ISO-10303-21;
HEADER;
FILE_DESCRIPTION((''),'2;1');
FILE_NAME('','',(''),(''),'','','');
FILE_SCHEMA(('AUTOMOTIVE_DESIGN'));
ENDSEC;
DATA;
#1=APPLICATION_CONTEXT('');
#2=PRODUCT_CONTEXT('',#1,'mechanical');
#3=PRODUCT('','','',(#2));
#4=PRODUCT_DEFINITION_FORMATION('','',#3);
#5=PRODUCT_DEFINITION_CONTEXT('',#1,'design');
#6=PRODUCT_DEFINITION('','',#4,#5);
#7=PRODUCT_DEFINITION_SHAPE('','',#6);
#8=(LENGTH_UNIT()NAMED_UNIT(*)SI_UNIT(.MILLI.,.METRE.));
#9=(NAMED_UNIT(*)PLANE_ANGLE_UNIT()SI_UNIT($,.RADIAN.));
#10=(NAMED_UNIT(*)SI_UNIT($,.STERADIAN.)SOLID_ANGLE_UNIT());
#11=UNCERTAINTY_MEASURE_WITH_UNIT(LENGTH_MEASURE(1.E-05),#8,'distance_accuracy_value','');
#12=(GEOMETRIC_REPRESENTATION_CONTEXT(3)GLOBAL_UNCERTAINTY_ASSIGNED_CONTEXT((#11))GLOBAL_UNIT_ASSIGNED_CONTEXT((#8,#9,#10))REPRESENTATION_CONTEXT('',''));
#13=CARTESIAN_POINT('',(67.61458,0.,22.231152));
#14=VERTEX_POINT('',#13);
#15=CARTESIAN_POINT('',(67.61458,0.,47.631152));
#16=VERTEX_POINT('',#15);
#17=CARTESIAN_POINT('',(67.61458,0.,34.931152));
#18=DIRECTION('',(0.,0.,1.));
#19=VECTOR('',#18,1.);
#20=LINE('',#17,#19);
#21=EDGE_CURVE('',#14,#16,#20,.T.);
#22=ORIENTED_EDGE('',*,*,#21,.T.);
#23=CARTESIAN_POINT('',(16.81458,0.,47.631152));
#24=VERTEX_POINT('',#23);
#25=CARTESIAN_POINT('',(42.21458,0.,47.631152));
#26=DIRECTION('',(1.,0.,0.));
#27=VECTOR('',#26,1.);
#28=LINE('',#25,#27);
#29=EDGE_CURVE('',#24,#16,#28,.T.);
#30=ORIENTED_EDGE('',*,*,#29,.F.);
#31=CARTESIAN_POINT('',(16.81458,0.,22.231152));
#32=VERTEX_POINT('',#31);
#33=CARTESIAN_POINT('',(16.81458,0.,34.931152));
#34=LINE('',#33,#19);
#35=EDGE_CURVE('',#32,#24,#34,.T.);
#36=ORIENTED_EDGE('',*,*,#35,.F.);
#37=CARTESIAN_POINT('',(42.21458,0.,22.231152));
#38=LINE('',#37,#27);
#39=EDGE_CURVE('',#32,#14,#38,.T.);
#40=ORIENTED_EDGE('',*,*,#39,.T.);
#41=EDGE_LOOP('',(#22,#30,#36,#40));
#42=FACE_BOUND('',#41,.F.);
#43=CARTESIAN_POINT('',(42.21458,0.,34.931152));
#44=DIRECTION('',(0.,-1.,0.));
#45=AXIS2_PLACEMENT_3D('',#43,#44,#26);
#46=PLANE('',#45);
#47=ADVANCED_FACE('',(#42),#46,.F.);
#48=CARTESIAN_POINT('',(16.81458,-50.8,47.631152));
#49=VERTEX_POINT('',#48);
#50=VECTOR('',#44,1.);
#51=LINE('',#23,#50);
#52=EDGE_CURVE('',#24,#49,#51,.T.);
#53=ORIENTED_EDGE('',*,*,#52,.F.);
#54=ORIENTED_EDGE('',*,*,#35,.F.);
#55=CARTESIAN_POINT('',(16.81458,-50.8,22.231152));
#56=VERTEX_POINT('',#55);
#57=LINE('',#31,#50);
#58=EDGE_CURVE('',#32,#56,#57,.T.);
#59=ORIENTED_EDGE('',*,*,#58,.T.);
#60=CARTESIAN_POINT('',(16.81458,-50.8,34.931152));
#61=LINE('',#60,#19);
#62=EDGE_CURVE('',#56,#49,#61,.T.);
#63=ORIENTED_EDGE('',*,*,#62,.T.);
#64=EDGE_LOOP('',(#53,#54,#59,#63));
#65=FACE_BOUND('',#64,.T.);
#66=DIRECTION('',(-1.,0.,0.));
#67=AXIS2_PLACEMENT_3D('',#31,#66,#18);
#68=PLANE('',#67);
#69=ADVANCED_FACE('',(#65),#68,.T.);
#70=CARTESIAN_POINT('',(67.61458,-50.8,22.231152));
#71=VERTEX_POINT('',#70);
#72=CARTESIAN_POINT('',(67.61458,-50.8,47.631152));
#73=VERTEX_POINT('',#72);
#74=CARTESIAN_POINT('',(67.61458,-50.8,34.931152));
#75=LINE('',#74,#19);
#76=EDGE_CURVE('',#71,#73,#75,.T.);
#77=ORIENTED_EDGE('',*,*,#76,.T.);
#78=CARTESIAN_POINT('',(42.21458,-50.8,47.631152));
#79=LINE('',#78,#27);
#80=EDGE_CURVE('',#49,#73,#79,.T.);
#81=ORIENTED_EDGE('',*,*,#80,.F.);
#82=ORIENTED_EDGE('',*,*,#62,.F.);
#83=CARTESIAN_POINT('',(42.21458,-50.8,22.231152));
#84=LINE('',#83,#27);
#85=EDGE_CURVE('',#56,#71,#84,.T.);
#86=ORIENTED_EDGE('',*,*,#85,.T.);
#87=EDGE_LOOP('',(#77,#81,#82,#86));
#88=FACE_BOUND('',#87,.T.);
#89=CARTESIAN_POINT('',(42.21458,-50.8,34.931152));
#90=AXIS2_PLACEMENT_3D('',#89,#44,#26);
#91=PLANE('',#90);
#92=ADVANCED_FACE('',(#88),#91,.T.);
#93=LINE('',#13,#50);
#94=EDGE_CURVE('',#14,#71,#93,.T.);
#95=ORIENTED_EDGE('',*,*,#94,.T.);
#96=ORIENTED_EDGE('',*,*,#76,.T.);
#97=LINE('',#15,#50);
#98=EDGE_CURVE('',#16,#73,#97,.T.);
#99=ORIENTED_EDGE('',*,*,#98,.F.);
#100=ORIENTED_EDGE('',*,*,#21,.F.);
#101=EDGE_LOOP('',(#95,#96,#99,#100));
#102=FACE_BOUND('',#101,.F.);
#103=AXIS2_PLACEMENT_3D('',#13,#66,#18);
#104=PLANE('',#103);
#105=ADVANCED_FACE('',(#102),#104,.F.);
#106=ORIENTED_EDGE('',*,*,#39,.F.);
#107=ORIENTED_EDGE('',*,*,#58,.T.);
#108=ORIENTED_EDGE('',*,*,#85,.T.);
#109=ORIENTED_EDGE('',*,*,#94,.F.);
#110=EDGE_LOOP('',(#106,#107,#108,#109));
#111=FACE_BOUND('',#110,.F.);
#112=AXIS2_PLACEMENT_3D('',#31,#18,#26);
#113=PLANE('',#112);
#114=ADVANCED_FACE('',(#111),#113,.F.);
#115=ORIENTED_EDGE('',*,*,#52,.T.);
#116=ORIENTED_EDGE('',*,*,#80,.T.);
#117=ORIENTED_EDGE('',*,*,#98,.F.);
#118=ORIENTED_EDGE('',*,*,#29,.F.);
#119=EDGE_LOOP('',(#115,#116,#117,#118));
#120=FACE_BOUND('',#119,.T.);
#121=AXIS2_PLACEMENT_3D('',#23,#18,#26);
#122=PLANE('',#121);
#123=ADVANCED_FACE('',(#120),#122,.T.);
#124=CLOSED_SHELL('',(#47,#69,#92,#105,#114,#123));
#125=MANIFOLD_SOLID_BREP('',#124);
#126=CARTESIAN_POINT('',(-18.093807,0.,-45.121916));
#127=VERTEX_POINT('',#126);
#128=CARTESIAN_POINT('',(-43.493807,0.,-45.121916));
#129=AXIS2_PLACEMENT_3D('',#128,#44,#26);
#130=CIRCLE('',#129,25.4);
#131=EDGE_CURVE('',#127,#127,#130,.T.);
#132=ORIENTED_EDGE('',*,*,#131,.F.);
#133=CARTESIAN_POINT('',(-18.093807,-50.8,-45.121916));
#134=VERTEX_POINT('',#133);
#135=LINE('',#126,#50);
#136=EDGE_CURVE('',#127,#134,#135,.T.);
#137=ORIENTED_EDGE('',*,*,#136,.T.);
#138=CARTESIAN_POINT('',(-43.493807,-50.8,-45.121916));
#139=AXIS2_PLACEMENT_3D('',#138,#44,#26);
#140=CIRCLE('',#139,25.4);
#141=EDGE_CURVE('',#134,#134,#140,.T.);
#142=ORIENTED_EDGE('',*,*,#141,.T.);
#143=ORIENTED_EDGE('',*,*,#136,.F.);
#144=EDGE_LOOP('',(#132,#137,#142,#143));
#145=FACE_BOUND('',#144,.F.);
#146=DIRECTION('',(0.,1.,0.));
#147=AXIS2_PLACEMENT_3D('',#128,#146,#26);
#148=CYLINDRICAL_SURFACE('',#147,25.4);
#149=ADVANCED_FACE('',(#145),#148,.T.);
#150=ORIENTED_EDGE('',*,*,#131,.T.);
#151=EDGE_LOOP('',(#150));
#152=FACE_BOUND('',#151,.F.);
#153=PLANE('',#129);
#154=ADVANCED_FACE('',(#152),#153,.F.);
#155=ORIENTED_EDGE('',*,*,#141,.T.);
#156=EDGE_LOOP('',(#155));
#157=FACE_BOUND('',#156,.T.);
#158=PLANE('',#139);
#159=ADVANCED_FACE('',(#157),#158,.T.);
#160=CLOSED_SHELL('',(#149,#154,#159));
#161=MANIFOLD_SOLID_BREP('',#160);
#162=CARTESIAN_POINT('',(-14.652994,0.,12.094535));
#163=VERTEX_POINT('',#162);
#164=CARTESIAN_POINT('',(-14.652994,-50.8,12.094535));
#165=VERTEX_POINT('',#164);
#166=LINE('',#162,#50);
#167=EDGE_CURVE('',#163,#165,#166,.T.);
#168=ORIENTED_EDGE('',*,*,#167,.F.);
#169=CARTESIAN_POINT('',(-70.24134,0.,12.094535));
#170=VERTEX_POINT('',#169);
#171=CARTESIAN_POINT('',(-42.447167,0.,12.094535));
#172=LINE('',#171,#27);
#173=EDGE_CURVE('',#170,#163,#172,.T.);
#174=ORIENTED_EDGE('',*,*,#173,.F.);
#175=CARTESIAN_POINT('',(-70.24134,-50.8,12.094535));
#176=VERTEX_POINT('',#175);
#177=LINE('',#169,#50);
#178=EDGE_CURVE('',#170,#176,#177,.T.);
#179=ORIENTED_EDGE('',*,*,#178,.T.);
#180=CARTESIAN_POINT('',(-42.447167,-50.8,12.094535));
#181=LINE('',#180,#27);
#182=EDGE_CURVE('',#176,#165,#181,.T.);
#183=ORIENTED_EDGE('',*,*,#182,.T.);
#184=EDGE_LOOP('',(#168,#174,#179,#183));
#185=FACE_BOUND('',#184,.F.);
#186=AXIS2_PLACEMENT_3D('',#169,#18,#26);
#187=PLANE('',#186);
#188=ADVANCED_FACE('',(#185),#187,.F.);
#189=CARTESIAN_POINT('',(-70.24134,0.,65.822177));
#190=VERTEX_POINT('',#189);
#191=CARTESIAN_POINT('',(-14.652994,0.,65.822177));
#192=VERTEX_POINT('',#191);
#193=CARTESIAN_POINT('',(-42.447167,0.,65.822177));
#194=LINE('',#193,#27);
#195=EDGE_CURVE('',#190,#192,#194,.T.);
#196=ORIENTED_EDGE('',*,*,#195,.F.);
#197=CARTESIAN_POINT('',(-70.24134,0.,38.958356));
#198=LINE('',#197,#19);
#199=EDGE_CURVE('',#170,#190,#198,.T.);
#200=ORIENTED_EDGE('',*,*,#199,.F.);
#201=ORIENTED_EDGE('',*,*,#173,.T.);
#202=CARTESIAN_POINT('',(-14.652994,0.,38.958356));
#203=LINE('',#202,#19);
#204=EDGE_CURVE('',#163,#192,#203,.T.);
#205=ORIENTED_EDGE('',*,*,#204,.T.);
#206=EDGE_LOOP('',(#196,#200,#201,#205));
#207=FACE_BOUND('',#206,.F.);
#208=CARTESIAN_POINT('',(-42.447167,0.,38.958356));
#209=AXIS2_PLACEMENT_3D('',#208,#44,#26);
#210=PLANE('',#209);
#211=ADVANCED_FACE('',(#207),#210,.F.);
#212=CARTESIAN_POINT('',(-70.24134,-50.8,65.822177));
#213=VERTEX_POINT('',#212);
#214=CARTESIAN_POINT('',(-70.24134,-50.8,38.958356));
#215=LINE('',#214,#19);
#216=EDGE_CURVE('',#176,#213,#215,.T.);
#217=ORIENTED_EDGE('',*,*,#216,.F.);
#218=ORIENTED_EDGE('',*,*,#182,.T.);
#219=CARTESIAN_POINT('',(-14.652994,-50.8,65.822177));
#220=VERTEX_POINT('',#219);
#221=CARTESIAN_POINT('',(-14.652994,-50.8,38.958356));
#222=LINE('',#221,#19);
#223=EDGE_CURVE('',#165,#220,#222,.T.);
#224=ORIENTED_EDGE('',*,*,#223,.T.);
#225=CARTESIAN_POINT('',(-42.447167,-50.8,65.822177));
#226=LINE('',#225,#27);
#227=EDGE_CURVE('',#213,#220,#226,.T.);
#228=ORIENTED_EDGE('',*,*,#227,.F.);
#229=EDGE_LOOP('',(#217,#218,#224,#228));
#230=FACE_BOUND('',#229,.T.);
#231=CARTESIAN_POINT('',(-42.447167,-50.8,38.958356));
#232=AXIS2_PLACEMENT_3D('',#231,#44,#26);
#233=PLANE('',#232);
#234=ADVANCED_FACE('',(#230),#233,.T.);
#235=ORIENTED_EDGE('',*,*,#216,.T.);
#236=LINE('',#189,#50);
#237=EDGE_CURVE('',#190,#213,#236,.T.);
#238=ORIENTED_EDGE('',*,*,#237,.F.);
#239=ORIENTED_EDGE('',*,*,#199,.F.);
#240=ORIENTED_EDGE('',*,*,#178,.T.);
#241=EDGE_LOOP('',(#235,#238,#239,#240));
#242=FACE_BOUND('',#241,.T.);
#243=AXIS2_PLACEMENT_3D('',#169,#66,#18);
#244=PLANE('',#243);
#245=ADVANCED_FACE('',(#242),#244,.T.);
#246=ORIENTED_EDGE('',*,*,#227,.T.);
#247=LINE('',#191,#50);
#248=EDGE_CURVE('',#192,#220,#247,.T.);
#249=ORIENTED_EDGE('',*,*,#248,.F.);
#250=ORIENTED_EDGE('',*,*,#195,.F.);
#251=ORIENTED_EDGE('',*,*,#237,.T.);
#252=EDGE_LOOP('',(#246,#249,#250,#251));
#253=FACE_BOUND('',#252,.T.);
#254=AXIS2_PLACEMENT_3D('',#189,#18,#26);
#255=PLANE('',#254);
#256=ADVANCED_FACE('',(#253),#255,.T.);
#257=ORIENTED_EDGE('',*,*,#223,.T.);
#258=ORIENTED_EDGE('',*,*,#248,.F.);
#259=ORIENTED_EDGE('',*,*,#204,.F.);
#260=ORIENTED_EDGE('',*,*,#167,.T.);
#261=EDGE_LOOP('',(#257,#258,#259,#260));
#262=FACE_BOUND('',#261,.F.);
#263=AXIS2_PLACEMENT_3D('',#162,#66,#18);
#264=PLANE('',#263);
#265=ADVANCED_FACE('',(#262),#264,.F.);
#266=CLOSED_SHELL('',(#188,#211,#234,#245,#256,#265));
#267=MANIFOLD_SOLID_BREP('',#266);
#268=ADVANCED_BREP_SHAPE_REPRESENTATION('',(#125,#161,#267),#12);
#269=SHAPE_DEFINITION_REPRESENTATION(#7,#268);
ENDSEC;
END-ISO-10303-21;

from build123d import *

# Parameters (mm, degrees)
F0_W     = 55.588346
F0_H     = 53.727642
F3_DEPTH = 50.8
F1_W     = 50.8
F1_H     = 25.4
F4_DEPTH = 50.8
F2_R     = 25.4
F5_DEPTH = 50.8


with BuildPart() as f3:
    # F0 (on Front) → F3 (new body)
    with BuildSketch(Plane.XZ):
        with Locations((-42.447167, 38.958356)):
            Rectangle(F0_W, F0_H)
    extrude(amount=F3_DEPTH)


with BuildPart() as f4:
    # F1 (on Front) → F4 (new body)
    with BuildSketch(Plane.XZ):
        with Locations((42.21458, 34.931152)):
            Rectangle(F1_W, F1_H)
    extrude(amount=F4_DEPTH)


with BuildPart() as f5:
    # F2 (on Front) → F5 (new body)
    with BuildSketch(Plane.XZ):
        with Locations((-43.493807, -45.121916)):
            Circle(F2_R)
    extrude(amount=F5_DEPTH)


solid = Compound([f3.part, f4.part, f5.part])
